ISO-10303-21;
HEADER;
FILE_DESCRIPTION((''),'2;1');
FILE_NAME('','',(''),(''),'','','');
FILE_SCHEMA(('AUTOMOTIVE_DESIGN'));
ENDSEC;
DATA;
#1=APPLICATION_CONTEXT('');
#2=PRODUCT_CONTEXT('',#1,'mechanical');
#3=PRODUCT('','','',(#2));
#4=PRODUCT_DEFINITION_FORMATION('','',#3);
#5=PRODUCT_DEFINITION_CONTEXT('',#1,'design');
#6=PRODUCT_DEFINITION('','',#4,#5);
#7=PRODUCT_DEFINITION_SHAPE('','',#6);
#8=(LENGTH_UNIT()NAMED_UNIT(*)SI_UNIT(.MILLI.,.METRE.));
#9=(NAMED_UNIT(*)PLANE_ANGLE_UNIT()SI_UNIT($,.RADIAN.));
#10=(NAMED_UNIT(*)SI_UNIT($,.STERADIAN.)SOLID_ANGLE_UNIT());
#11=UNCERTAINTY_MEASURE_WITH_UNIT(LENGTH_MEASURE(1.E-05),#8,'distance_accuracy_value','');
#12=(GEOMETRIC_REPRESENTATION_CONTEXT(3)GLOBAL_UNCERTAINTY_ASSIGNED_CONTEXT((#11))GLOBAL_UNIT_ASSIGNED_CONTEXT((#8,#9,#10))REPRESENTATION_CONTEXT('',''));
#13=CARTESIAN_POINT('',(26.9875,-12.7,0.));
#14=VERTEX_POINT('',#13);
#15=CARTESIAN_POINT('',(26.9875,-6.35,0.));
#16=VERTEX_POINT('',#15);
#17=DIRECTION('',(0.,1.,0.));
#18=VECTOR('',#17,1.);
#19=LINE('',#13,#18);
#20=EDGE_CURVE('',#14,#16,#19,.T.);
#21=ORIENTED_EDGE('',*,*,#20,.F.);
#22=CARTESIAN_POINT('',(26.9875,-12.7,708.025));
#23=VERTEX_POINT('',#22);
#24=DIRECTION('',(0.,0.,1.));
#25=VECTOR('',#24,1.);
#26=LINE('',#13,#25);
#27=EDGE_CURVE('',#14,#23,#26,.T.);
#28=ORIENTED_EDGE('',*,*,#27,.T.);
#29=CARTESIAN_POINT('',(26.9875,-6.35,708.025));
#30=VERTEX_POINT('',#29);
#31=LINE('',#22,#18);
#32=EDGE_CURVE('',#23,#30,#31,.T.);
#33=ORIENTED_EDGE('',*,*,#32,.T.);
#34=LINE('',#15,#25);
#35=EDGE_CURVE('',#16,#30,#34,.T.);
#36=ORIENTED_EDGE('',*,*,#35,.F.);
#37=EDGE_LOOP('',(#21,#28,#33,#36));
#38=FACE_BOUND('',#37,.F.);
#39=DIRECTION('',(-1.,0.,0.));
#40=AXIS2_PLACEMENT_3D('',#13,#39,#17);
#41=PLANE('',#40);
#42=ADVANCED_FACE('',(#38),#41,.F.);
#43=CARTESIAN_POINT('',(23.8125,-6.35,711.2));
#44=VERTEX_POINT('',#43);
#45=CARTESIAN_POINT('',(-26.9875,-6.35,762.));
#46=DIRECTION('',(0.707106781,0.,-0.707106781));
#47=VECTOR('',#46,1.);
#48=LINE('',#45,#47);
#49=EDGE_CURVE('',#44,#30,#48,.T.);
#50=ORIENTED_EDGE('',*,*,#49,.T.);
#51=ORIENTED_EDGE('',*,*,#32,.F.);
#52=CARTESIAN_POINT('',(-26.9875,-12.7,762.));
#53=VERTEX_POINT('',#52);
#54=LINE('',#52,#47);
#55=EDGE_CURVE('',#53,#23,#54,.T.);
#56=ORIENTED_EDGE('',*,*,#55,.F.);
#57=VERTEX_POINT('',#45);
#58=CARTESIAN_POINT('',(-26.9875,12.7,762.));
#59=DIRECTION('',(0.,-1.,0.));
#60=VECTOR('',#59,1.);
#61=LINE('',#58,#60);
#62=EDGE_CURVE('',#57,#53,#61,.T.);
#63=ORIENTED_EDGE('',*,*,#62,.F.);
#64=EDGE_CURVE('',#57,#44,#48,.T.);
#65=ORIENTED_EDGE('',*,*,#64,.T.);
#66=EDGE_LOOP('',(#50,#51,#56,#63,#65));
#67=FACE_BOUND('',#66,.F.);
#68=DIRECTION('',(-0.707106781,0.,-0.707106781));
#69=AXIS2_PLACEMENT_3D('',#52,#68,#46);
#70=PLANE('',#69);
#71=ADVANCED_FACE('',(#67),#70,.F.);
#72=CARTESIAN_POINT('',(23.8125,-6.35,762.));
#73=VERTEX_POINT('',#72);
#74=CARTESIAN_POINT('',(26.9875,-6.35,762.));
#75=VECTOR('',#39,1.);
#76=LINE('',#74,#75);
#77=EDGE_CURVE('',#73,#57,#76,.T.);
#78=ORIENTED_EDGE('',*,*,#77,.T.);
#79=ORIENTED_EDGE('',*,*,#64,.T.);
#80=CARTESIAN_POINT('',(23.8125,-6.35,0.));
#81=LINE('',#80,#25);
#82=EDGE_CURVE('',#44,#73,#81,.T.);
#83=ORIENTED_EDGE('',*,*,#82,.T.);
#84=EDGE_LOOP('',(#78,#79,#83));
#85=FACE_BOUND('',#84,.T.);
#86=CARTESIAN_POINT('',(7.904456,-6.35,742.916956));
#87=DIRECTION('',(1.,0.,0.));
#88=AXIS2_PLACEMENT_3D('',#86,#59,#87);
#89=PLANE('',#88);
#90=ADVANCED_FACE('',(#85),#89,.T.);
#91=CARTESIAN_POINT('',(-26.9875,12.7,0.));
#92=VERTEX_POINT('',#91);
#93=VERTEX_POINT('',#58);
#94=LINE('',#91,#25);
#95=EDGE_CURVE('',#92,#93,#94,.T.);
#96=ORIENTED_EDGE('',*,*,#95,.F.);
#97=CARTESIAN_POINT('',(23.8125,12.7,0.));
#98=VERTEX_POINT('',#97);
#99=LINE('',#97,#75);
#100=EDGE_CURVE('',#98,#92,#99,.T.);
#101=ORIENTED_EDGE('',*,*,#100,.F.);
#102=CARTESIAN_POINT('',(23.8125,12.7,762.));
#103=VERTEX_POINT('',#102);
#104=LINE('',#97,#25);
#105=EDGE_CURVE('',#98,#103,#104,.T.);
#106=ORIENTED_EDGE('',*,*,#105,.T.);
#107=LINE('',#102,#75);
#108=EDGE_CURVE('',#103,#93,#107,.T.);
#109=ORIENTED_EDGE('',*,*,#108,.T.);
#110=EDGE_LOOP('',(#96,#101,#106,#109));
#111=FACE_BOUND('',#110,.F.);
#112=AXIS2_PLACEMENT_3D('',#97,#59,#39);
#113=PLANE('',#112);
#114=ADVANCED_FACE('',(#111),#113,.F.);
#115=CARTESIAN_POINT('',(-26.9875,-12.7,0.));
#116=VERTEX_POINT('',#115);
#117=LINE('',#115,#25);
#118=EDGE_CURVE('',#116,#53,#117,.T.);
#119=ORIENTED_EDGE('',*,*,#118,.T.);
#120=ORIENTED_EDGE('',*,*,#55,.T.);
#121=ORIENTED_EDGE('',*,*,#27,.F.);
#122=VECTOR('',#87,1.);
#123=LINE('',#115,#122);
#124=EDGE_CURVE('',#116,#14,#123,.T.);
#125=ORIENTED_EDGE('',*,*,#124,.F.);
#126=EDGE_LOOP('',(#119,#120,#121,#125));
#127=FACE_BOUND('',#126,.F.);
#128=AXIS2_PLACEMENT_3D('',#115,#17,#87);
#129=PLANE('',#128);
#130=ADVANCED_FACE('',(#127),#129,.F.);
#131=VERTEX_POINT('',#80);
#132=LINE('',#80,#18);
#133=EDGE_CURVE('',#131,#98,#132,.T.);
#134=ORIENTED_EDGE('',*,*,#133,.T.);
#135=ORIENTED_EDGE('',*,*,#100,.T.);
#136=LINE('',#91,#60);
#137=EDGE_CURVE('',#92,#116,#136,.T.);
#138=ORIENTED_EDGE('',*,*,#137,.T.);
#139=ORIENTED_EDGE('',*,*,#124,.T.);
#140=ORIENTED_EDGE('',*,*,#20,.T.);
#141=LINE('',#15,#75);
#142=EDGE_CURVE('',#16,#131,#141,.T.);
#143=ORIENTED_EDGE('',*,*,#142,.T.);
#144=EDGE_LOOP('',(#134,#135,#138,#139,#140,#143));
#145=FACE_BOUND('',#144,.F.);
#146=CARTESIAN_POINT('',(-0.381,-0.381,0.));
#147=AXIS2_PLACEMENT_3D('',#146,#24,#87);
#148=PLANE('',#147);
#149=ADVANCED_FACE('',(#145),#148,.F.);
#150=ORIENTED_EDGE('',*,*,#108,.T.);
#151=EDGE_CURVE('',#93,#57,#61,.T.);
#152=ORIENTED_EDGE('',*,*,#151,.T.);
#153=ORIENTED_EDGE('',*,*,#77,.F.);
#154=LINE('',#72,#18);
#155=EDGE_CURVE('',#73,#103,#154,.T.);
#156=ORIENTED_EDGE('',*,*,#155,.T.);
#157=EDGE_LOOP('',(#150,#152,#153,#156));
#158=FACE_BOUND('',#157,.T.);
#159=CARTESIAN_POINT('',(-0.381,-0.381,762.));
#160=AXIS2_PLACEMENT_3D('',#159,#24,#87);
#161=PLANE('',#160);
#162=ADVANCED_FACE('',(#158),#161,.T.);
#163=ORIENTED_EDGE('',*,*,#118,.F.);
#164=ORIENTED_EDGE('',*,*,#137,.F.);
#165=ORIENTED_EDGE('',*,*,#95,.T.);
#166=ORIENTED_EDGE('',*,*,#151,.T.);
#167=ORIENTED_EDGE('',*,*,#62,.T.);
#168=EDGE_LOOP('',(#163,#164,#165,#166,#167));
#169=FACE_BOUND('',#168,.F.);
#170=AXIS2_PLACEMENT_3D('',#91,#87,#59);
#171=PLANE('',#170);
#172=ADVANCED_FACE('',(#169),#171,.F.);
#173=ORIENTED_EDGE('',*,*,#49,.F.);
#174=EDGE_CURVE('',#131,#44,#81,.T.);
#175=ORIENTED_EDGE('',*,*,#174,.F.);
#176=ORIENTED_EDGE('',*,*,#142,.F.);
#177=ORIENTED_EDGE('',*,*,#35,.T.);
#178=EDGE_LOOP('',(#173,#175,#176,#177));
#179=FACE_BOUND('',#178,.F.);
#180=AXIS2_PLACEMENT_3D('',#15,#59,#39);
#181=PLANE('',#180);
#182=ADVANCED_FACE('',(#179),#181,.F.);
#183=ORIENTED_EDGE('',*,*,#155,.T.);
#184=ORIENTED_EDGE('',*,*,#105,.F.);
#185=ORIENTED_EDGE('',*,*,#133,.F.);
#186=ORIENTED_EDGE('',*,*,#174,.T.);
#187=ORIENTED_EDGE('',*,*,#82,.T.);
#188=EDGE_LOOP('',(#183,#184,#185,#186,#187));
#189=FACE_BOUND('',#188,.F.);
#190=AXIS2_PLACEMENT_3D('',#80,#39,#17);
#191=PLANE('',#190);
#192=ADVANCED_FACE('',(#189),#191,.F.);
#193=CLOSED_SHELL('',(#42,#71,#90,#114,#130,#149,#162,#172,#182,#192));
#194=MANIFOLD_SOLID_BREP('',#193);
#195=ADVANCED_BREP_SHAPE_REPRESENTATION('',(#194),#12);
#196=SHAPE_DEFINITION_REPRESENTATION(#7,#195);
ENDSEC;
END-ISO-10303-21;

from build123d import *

# Parameters (mm, degrees)
F1_DEPTH = 762
F3_DEPTH = 6.35


with BuildPart() as f1:
    # F0 (on Top) → F1 (new body)
    with BuildSketch(Plane.XY):
        Polygon((23.8125, -6.35), (23.8125, 12.7), (-26.9875, 12.7), (-26.9875, -12.7), (26.9875, -12.7), (26.9875, -6.35), align=None)
    extrude(amount=F1_DEPTH)

    # F2 (on face) → F3 (cut)
    with BuildSketch(Plane.XZ.offset(12.7)):
        Polygon((26.9875, 762), (-26.9875, 762), (26.9875, 708.025), align=None)
    extrude(amount=-F3_DEPTH, mode=Mode.SUBTRACT)


solid = f1.part
